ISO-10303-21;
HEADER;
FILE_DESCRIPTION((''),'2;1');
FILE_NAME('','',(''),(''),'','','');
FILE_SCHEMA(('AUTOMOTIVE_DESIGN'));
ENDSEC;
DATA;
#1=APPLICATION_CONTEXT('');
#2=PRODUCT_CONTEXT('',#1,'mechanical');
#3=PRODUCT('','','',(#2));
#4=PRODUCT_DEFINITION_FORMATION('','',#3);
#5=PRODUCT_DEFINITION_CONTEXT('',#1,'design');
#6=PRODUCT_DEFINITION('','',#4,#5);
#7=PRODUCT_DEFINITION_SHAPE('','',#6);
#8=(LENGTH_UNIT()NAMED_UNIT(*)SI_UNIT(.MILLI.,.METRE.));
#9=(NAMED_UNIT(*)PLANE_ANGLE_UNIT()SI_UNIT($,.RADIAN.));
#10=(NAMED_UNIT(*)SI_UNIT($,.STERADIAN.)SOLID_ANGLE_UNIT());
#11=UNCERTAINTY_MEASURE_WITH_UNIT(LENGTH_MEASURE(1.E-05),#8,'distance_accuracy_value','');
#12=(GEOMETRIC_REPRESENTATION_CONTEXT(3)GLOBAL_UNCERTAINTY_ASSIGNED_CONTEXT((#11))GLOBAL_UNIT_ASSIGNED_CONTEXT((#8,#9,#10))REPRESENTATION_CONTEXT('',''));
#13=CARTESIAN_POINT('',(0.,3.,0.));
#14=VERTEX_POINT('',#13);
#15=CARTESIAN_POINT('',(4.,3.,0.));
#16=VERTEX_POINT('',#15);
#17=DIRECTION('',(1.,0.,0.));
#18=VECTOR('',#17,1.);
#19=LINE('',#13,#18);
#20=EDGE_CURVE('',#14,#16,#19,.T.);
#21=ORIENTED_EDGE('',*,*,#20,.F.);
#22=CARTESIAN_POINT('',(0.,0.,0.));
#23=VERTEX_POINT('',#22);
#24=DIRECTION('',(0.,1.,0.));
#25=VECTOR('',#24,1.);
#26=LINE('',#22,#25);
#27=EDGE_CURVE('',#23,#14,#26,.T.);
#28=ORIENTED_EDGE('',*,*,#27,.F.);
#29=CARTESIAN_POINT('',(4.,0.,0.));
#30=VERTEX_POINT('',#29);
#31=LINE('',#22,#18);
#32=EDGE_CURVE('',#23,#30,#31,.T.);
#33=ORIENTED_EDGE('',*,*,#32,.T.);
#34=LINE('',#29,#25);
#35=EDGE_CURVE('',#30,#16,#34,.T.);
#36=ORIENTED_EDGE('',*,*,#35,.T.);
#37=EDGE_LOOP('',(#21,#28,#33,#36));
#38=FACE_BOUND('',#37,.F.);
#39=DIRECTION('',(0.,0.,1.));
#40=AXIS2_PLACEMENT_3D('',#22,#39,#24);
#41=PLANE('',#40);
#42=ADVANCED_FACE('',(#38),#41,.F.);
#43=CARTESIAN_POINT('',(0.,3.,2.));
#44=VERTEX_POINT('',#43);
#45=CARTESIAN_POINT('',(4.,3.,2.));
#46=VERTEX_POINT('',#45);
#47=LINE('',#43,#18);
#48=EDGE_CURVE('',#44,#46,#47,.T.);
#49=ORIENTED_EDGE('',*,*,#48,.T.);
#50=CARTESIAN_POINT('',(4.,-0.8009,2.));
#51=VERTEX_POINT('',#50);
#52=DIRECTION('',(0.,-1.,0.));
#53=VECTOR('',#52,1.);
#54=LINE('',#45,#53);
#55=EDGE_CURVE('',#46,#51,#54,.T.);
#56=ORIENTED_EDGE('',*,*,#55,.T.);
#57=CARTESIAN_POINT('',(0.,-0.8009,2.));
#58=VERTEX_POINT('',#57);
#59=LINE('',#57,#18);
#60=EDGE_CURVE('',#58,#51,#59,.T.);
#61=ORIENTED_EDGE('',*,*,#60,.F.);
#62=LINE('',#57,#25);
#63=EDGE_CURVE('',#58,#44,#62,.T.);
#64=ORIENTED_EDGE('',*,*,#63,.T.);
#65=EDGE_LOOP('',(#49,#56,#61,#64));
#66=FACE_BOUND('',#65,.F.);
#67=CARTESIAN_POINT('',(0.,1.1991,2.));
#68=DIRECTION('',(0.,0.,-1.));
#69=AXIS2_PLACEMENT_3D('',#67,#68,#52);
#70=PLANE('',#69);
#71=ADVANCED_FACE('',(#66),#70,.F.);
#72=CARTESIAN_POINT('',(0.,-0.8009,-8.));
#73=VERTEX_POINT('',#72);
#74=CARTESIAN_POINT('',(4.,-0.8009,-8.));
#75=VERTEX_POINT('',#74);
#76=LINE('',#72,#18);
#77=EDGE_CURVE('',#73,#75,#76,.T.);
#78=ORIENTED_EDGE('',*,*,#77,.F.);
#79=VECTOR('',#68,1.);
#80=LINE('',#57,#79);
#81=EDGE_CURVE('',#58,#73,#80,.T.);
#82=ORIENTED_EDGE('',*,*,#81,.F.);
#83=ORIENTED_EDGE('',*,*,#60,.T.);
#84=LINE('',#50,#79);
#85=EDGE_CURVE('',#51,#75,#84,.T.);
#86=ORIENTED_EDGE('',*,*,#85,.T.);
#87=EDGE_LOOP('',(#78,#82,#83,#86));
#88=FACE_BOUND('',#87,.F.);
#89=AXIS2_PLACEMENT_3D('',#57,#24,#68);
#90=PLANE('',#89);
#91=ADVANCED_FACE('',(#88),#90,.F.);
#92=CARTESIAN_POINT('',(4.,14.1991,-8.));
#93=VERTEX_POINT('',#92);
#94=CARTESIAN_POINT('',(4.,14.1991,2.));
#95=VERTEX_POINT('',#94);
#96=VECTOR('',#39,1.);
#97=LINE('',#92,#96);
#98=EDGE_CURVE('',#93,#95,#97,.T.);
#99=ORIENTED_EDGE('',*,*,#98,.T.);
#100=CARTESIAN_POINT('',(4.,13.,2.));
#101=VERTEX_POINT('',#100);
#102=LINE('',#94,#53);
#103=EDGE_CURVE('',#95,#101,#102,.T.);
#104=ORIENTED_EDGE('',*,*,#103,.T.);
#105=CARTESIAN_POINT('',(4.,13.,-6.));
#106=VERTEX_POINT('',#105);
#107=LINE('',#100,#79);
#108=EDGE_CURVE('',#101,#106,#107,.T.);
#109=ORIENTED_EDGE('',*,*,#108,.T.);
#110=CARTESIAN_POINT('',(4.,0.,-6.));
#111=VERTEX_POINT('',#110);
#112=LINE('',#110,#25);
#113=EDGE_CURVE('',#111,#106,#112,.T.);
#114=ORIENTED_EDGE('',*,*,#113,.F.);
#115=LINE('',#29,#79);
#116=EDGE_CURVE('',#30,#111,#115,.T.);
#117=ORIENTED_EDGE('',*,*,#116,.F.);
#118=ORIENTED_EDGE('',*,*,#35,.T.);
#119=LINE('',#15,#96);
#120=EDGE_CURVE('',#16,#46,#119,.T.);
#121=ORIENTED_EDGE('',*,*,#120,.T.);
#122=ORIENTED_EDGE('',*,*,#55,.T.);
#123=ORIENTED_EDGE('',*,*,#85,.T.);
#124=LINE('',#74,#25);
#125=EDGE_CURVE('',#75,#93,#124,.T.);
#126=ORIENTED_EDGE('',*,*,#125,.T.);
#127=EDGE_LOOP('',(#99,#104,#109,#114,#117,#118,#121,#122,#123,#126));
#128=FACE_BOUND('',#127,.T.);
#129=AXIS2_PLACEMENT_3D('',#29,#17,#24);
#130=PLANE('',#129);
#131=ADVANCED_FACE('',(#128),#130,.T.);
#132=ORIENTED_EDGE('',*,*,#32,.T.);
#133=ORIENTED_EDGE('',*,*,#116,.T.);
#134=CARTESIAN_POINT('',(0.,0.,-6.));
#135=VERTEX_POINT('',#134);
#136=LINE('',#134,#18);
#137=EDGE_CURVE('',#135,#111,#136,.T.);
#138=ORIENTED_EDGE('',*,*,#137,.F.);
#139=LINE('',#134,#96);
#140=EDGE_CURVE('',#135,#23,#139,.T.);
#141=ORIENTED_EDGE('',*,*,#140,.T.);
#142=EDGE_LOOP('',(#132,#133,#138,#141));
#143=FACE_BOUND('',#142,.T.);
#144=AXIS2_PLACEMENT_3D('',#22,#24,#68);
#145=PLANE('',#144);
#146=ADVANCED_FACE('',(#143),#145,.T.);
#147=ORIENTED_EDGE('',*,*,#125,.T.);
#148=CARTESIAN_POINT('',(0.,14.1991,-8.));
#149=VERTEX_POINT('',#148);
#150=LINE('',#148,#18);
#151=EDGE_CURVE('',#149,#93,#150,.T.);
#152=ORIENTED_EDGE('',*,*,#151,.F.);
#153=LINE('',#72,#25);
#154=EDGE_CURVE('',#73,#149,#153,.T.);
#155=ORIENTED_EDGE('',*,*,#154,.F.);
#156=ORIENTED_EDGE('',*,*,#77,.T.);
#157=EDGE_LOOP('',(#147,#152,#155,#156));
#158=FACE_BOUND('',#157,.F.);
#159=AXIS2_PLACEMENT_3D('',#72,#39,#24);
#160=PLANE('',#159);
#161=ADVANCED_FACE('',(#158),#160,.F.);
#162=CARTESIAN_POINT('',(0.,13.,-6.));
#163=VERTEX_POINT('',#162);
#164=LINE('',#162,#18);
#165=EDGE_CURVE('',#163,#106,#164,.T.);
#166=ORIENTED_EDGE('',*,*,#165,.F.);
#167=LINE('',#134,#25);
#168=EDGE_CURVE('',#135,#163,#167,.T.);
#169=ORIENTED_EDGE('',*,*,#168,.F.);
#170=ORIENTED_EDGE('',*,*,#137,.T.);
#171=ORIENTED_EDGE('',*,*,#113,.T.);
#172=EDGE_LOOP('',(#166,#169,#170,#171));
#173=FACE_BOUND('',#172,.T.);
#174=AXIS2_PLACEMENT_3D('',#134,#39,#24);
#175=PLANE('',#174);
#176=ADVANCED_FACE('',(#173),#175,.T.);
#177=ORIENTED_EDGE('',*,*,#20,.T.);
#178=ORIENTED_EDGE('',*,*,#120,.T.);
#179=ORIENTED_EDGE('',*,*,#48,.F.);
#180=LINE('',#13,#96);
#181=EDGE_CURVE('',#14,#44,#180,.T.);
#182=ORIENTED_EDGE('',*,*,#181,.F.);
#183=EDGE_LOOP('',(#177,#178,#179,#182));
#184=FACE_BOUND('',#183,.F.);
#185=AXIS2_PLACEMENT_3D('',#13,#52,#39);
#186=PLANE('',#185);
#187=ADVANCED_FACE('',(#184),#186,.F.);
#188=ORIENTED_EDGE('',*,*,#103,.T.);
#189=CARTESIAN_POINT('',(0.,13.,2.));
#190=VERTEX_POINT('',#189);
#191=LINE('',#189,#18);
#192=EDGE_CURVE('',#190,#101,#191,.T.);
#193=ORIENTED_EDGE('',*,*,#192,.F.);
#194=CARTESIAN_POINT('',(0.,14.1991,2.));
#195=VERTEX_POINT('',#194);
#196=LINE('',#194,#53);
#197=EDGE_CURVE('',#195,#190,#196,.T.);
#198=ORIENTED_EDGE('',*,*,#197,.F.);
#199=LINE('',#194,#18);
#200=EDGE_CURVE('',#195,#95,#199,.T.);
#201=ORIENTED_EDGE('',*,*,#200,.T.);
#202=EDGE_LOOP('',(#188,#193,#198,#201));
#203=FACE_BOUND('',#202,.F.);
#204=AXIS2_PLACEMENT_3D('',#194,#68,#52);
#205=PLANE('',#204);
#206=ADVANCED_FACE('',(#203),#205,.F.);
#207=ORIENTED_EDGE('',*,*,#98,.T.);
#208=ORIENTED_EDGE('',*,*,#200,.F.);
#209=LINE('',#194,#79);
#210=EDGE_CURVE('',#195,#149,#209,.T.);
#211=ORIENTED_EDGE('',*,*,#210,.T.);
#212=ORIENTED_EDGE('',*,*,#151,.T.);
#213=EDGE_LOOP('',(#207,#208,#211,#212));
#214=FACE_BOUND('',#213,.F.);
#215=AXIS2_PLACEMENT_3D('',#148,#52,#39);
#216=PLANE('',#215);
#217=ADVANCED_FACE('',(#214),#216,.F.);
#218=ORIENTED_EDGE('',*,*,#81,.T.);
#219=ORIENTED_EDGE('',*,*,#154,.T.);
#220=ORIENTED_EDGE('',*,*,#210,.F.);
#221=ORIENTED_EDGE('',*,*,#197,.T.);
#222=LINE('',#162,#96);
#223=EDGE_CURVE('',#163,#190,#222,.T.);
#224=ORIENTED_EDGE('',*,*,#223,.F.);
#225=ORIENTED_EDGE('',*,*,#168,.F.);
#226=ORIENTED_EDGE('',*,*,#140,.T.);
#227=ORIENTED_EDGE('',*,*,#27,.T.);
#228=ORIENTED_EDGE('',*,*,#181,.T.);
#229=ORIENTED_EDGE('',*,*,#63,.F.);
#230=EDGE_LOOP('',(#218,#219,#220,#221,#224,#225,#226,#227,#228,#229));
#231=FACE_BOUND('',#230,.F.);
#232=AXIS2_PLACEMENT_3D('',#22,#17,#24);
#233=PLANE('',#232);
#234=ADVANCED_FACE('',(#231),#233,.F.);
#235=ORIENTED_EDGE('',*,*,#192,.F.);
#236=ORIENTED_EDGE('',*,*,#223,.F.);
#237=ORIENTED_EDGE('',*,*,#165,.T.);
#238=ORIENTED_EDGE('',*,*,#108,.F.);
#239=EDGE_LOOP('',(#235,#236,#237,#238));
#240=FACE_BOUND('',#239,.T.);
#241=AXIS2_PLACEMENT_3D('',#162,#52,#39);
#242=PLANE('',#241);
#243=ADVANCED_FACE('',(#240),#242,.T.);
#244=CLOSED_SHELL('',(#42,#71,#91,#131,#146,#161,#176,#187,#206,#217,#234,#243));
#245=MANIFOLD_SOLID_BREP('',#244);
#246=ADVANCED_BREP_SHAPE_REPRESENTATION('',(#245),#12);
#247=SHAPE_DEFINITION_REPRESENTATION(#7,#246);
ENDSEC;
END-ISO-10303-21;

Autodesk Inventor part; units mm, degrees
ref_plane "YZ Plane" through (0, 0, 0) normal (1, 0, 0) x (0, 1, 0)
ref_plane "XZ Plane" through (0, 0, 0) normal (0, 1, 0) x (-1, 0, 0)
ref_plane "XY Plane" through (0, 0, 0) normal (0, 0, 1) x (1, 0, 0)
sketch "Sketch1" plane through (0, 0, 0) normal (1, 0, 0) x (0, 1, 0)
  line L0 (0, 0) -> (0, -6)
  line L1 (0, -6) -> (13, -6)
  line L2 (0, 0) -> (3, 0)
  line L3 (3, 0) -> (3, 2)
  line L4 (3, 2) -> (1.1991, 2)
  line L5 (1.1991, 2) -> (-0.8009, 2)
  line L6 (-0.8009, 2) -> (-0.8009, -8)
  line L7 (-0.8009, -8) -> (14.1991, -8)
  line L8 (0, -3) -> (14.1991, -3)
  line L9 (14.1991, -8) -> (14.1991, -3)
  line L10 (13, -6) -> (13, -3)
  line L11 (14.1991, -3) -> (14.1991, 2)
  line L12 (14.1991, 2) -> (13, 2)
  line L13 (13, 2) -> (13, -3)
  line L14 (14.1991, -3) -> (13.349, -3)
  dimension "d0" = 6
  dimension "d1" = 13
  dimension "d2" = 2
  dimension "d3" = 2
  dimension "d4" = 10
  dimension "d5" = 15
  dimension "d6" = 5
extrude "Extrusion1" add sketch "Sketch1" along normal blind 4 contours L0 L1 L10 L8 L9 L7 L6 L5 L4 L3 L2 | L13 L12 L11 L8
sketch "Sketch3" plane through (0, 14.1991, 2) normal (0, 1, 0) x (1, 0, 0)
  line L0 (2, 1) -> (2.6492, 1)
  circle A0 centre (2, 1) radius 0.5
  point P0 (0, 2)
  dimension "d12" = 1
properties part number "Hook"
